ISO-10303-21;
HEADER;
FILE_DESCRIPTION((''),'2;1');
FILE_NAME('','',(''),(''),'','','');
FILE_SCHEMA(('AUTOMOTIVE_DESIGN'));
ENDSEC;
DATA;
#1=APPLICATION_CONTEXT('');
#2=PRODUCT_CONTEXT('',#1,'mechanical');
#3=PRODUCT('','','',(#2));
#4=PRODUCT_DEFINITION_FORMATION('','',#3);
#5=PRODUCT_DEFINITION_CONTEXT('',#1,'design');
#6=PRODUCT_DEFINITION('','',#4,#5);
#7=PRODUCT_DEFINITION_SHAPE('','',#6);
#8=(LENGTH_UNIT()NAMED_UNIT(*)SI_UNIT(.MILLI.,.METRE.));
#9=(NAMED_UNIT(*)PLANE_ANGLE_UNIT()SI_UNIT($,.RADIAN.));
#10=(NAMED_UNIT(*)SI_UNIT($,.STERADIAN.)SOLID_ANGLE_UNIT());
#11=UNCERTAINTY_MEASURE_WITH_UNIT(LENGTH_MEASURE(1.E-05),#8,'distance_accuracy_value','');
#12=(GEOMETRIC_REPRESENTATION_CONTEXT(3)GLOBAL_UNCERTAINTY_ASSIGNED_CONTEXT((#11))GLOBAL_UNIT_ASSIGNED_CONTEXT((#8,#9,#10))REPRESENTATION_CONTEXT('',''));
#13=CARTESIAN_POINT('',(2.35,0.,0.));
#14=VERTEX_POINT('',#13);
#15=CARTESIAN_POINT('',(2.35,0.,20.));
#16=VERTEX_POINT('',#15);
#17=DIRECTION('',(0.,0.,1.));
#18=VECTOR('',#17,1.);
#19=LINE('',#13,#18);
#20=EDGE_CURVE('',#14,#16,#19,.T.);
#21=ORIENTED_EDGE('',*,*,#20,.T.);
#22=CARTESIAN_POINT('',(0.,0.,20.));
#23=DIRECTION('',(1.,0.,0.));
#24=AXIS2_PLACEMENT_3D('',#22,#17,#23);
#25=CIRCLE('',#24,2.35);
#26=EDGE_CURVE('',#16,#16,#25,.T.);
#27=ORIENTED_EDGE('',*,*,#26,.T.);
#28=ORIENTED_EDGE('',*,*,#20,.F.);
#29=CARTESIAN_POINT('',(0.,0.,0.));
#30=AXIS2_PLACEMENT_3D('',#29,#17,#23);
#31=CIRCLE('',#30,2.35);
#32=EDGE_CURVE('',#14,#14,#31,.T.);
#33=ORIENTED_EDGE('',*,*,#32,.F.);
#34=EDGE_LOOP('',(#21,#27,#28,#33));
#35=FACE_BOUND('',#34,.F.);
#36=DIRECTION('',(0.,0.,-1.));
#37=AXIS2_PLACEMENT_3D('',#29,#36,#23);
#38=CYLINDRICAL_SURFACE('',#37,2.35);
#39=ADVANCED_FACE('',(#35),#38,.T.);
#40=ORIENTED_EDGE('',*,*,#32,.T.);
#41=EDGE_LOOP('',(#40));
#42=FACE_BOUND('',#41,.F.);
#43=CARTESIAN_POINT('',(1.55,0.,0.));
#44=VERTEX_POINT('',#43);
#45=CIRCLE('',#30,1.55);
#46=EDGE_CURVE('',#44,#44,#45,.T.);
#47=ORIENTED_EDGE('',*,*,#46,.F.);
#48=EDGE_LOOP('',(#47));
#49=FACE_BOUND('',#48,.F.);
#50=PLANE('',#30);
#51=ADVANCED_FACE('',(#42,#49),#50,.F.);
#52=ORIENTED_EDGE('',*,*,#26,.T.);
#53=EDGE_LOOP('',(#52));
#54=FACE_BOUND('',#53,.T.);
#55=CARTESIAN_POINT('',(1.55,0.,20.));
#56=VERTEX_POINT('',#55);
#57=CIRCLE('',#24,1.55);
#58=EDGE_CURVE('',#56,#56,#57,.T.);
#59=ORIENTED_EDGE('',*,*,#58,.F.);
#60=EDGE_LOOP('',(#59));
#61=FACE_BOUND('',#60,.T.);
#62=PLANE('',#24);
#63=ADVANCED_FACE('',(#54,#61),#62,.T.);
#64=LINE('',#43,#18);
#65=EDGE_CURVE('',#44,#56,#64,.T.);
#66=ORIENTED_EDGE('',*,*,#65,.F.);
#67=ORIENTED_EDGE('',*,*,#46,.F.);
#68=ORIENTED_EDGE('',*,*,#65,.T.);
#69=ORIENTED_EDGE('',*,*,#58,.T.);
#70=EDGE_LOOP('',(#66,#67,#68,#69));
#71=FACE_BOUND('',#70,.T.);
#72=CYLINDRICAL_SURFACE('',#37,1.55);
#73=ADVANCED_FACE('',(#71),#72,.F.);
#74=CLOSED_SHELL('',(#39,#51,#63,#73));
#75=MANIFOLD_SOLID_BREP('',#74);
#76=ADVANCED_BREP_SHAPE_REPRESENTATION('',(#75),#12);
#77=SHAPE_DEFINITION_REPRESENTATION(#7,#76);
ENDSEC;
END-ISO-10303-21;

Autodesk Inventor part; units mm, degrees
ref_plane "YZ Plane" through (0, 0, 0) normal (1, 0, 0) x (0, 1, 0)
ref_plane "XZ Plane" through (0, 0, 0) normal (0, 1, 0) x (-1, 0, 0)
ref_plane "XY Plane" through (0, 0, 0) normal (0, 0, 1) x (1, 0, 0)
sketch "Skizze1" plane through (0, 0, 0) normal (0, 0, 1) x (1, 0, 0)
  circle A0 centre (0, 0) radius 1.55
  circle A1 centre (0, 0) radius 2.35
  dimension "d0" = 0.8
  dimension "d1" = 3.1
extrude "Extrusion1" add sketch "Skizze1" along normal blind 20
properties part number "Stewart-Rod-Pipe"
